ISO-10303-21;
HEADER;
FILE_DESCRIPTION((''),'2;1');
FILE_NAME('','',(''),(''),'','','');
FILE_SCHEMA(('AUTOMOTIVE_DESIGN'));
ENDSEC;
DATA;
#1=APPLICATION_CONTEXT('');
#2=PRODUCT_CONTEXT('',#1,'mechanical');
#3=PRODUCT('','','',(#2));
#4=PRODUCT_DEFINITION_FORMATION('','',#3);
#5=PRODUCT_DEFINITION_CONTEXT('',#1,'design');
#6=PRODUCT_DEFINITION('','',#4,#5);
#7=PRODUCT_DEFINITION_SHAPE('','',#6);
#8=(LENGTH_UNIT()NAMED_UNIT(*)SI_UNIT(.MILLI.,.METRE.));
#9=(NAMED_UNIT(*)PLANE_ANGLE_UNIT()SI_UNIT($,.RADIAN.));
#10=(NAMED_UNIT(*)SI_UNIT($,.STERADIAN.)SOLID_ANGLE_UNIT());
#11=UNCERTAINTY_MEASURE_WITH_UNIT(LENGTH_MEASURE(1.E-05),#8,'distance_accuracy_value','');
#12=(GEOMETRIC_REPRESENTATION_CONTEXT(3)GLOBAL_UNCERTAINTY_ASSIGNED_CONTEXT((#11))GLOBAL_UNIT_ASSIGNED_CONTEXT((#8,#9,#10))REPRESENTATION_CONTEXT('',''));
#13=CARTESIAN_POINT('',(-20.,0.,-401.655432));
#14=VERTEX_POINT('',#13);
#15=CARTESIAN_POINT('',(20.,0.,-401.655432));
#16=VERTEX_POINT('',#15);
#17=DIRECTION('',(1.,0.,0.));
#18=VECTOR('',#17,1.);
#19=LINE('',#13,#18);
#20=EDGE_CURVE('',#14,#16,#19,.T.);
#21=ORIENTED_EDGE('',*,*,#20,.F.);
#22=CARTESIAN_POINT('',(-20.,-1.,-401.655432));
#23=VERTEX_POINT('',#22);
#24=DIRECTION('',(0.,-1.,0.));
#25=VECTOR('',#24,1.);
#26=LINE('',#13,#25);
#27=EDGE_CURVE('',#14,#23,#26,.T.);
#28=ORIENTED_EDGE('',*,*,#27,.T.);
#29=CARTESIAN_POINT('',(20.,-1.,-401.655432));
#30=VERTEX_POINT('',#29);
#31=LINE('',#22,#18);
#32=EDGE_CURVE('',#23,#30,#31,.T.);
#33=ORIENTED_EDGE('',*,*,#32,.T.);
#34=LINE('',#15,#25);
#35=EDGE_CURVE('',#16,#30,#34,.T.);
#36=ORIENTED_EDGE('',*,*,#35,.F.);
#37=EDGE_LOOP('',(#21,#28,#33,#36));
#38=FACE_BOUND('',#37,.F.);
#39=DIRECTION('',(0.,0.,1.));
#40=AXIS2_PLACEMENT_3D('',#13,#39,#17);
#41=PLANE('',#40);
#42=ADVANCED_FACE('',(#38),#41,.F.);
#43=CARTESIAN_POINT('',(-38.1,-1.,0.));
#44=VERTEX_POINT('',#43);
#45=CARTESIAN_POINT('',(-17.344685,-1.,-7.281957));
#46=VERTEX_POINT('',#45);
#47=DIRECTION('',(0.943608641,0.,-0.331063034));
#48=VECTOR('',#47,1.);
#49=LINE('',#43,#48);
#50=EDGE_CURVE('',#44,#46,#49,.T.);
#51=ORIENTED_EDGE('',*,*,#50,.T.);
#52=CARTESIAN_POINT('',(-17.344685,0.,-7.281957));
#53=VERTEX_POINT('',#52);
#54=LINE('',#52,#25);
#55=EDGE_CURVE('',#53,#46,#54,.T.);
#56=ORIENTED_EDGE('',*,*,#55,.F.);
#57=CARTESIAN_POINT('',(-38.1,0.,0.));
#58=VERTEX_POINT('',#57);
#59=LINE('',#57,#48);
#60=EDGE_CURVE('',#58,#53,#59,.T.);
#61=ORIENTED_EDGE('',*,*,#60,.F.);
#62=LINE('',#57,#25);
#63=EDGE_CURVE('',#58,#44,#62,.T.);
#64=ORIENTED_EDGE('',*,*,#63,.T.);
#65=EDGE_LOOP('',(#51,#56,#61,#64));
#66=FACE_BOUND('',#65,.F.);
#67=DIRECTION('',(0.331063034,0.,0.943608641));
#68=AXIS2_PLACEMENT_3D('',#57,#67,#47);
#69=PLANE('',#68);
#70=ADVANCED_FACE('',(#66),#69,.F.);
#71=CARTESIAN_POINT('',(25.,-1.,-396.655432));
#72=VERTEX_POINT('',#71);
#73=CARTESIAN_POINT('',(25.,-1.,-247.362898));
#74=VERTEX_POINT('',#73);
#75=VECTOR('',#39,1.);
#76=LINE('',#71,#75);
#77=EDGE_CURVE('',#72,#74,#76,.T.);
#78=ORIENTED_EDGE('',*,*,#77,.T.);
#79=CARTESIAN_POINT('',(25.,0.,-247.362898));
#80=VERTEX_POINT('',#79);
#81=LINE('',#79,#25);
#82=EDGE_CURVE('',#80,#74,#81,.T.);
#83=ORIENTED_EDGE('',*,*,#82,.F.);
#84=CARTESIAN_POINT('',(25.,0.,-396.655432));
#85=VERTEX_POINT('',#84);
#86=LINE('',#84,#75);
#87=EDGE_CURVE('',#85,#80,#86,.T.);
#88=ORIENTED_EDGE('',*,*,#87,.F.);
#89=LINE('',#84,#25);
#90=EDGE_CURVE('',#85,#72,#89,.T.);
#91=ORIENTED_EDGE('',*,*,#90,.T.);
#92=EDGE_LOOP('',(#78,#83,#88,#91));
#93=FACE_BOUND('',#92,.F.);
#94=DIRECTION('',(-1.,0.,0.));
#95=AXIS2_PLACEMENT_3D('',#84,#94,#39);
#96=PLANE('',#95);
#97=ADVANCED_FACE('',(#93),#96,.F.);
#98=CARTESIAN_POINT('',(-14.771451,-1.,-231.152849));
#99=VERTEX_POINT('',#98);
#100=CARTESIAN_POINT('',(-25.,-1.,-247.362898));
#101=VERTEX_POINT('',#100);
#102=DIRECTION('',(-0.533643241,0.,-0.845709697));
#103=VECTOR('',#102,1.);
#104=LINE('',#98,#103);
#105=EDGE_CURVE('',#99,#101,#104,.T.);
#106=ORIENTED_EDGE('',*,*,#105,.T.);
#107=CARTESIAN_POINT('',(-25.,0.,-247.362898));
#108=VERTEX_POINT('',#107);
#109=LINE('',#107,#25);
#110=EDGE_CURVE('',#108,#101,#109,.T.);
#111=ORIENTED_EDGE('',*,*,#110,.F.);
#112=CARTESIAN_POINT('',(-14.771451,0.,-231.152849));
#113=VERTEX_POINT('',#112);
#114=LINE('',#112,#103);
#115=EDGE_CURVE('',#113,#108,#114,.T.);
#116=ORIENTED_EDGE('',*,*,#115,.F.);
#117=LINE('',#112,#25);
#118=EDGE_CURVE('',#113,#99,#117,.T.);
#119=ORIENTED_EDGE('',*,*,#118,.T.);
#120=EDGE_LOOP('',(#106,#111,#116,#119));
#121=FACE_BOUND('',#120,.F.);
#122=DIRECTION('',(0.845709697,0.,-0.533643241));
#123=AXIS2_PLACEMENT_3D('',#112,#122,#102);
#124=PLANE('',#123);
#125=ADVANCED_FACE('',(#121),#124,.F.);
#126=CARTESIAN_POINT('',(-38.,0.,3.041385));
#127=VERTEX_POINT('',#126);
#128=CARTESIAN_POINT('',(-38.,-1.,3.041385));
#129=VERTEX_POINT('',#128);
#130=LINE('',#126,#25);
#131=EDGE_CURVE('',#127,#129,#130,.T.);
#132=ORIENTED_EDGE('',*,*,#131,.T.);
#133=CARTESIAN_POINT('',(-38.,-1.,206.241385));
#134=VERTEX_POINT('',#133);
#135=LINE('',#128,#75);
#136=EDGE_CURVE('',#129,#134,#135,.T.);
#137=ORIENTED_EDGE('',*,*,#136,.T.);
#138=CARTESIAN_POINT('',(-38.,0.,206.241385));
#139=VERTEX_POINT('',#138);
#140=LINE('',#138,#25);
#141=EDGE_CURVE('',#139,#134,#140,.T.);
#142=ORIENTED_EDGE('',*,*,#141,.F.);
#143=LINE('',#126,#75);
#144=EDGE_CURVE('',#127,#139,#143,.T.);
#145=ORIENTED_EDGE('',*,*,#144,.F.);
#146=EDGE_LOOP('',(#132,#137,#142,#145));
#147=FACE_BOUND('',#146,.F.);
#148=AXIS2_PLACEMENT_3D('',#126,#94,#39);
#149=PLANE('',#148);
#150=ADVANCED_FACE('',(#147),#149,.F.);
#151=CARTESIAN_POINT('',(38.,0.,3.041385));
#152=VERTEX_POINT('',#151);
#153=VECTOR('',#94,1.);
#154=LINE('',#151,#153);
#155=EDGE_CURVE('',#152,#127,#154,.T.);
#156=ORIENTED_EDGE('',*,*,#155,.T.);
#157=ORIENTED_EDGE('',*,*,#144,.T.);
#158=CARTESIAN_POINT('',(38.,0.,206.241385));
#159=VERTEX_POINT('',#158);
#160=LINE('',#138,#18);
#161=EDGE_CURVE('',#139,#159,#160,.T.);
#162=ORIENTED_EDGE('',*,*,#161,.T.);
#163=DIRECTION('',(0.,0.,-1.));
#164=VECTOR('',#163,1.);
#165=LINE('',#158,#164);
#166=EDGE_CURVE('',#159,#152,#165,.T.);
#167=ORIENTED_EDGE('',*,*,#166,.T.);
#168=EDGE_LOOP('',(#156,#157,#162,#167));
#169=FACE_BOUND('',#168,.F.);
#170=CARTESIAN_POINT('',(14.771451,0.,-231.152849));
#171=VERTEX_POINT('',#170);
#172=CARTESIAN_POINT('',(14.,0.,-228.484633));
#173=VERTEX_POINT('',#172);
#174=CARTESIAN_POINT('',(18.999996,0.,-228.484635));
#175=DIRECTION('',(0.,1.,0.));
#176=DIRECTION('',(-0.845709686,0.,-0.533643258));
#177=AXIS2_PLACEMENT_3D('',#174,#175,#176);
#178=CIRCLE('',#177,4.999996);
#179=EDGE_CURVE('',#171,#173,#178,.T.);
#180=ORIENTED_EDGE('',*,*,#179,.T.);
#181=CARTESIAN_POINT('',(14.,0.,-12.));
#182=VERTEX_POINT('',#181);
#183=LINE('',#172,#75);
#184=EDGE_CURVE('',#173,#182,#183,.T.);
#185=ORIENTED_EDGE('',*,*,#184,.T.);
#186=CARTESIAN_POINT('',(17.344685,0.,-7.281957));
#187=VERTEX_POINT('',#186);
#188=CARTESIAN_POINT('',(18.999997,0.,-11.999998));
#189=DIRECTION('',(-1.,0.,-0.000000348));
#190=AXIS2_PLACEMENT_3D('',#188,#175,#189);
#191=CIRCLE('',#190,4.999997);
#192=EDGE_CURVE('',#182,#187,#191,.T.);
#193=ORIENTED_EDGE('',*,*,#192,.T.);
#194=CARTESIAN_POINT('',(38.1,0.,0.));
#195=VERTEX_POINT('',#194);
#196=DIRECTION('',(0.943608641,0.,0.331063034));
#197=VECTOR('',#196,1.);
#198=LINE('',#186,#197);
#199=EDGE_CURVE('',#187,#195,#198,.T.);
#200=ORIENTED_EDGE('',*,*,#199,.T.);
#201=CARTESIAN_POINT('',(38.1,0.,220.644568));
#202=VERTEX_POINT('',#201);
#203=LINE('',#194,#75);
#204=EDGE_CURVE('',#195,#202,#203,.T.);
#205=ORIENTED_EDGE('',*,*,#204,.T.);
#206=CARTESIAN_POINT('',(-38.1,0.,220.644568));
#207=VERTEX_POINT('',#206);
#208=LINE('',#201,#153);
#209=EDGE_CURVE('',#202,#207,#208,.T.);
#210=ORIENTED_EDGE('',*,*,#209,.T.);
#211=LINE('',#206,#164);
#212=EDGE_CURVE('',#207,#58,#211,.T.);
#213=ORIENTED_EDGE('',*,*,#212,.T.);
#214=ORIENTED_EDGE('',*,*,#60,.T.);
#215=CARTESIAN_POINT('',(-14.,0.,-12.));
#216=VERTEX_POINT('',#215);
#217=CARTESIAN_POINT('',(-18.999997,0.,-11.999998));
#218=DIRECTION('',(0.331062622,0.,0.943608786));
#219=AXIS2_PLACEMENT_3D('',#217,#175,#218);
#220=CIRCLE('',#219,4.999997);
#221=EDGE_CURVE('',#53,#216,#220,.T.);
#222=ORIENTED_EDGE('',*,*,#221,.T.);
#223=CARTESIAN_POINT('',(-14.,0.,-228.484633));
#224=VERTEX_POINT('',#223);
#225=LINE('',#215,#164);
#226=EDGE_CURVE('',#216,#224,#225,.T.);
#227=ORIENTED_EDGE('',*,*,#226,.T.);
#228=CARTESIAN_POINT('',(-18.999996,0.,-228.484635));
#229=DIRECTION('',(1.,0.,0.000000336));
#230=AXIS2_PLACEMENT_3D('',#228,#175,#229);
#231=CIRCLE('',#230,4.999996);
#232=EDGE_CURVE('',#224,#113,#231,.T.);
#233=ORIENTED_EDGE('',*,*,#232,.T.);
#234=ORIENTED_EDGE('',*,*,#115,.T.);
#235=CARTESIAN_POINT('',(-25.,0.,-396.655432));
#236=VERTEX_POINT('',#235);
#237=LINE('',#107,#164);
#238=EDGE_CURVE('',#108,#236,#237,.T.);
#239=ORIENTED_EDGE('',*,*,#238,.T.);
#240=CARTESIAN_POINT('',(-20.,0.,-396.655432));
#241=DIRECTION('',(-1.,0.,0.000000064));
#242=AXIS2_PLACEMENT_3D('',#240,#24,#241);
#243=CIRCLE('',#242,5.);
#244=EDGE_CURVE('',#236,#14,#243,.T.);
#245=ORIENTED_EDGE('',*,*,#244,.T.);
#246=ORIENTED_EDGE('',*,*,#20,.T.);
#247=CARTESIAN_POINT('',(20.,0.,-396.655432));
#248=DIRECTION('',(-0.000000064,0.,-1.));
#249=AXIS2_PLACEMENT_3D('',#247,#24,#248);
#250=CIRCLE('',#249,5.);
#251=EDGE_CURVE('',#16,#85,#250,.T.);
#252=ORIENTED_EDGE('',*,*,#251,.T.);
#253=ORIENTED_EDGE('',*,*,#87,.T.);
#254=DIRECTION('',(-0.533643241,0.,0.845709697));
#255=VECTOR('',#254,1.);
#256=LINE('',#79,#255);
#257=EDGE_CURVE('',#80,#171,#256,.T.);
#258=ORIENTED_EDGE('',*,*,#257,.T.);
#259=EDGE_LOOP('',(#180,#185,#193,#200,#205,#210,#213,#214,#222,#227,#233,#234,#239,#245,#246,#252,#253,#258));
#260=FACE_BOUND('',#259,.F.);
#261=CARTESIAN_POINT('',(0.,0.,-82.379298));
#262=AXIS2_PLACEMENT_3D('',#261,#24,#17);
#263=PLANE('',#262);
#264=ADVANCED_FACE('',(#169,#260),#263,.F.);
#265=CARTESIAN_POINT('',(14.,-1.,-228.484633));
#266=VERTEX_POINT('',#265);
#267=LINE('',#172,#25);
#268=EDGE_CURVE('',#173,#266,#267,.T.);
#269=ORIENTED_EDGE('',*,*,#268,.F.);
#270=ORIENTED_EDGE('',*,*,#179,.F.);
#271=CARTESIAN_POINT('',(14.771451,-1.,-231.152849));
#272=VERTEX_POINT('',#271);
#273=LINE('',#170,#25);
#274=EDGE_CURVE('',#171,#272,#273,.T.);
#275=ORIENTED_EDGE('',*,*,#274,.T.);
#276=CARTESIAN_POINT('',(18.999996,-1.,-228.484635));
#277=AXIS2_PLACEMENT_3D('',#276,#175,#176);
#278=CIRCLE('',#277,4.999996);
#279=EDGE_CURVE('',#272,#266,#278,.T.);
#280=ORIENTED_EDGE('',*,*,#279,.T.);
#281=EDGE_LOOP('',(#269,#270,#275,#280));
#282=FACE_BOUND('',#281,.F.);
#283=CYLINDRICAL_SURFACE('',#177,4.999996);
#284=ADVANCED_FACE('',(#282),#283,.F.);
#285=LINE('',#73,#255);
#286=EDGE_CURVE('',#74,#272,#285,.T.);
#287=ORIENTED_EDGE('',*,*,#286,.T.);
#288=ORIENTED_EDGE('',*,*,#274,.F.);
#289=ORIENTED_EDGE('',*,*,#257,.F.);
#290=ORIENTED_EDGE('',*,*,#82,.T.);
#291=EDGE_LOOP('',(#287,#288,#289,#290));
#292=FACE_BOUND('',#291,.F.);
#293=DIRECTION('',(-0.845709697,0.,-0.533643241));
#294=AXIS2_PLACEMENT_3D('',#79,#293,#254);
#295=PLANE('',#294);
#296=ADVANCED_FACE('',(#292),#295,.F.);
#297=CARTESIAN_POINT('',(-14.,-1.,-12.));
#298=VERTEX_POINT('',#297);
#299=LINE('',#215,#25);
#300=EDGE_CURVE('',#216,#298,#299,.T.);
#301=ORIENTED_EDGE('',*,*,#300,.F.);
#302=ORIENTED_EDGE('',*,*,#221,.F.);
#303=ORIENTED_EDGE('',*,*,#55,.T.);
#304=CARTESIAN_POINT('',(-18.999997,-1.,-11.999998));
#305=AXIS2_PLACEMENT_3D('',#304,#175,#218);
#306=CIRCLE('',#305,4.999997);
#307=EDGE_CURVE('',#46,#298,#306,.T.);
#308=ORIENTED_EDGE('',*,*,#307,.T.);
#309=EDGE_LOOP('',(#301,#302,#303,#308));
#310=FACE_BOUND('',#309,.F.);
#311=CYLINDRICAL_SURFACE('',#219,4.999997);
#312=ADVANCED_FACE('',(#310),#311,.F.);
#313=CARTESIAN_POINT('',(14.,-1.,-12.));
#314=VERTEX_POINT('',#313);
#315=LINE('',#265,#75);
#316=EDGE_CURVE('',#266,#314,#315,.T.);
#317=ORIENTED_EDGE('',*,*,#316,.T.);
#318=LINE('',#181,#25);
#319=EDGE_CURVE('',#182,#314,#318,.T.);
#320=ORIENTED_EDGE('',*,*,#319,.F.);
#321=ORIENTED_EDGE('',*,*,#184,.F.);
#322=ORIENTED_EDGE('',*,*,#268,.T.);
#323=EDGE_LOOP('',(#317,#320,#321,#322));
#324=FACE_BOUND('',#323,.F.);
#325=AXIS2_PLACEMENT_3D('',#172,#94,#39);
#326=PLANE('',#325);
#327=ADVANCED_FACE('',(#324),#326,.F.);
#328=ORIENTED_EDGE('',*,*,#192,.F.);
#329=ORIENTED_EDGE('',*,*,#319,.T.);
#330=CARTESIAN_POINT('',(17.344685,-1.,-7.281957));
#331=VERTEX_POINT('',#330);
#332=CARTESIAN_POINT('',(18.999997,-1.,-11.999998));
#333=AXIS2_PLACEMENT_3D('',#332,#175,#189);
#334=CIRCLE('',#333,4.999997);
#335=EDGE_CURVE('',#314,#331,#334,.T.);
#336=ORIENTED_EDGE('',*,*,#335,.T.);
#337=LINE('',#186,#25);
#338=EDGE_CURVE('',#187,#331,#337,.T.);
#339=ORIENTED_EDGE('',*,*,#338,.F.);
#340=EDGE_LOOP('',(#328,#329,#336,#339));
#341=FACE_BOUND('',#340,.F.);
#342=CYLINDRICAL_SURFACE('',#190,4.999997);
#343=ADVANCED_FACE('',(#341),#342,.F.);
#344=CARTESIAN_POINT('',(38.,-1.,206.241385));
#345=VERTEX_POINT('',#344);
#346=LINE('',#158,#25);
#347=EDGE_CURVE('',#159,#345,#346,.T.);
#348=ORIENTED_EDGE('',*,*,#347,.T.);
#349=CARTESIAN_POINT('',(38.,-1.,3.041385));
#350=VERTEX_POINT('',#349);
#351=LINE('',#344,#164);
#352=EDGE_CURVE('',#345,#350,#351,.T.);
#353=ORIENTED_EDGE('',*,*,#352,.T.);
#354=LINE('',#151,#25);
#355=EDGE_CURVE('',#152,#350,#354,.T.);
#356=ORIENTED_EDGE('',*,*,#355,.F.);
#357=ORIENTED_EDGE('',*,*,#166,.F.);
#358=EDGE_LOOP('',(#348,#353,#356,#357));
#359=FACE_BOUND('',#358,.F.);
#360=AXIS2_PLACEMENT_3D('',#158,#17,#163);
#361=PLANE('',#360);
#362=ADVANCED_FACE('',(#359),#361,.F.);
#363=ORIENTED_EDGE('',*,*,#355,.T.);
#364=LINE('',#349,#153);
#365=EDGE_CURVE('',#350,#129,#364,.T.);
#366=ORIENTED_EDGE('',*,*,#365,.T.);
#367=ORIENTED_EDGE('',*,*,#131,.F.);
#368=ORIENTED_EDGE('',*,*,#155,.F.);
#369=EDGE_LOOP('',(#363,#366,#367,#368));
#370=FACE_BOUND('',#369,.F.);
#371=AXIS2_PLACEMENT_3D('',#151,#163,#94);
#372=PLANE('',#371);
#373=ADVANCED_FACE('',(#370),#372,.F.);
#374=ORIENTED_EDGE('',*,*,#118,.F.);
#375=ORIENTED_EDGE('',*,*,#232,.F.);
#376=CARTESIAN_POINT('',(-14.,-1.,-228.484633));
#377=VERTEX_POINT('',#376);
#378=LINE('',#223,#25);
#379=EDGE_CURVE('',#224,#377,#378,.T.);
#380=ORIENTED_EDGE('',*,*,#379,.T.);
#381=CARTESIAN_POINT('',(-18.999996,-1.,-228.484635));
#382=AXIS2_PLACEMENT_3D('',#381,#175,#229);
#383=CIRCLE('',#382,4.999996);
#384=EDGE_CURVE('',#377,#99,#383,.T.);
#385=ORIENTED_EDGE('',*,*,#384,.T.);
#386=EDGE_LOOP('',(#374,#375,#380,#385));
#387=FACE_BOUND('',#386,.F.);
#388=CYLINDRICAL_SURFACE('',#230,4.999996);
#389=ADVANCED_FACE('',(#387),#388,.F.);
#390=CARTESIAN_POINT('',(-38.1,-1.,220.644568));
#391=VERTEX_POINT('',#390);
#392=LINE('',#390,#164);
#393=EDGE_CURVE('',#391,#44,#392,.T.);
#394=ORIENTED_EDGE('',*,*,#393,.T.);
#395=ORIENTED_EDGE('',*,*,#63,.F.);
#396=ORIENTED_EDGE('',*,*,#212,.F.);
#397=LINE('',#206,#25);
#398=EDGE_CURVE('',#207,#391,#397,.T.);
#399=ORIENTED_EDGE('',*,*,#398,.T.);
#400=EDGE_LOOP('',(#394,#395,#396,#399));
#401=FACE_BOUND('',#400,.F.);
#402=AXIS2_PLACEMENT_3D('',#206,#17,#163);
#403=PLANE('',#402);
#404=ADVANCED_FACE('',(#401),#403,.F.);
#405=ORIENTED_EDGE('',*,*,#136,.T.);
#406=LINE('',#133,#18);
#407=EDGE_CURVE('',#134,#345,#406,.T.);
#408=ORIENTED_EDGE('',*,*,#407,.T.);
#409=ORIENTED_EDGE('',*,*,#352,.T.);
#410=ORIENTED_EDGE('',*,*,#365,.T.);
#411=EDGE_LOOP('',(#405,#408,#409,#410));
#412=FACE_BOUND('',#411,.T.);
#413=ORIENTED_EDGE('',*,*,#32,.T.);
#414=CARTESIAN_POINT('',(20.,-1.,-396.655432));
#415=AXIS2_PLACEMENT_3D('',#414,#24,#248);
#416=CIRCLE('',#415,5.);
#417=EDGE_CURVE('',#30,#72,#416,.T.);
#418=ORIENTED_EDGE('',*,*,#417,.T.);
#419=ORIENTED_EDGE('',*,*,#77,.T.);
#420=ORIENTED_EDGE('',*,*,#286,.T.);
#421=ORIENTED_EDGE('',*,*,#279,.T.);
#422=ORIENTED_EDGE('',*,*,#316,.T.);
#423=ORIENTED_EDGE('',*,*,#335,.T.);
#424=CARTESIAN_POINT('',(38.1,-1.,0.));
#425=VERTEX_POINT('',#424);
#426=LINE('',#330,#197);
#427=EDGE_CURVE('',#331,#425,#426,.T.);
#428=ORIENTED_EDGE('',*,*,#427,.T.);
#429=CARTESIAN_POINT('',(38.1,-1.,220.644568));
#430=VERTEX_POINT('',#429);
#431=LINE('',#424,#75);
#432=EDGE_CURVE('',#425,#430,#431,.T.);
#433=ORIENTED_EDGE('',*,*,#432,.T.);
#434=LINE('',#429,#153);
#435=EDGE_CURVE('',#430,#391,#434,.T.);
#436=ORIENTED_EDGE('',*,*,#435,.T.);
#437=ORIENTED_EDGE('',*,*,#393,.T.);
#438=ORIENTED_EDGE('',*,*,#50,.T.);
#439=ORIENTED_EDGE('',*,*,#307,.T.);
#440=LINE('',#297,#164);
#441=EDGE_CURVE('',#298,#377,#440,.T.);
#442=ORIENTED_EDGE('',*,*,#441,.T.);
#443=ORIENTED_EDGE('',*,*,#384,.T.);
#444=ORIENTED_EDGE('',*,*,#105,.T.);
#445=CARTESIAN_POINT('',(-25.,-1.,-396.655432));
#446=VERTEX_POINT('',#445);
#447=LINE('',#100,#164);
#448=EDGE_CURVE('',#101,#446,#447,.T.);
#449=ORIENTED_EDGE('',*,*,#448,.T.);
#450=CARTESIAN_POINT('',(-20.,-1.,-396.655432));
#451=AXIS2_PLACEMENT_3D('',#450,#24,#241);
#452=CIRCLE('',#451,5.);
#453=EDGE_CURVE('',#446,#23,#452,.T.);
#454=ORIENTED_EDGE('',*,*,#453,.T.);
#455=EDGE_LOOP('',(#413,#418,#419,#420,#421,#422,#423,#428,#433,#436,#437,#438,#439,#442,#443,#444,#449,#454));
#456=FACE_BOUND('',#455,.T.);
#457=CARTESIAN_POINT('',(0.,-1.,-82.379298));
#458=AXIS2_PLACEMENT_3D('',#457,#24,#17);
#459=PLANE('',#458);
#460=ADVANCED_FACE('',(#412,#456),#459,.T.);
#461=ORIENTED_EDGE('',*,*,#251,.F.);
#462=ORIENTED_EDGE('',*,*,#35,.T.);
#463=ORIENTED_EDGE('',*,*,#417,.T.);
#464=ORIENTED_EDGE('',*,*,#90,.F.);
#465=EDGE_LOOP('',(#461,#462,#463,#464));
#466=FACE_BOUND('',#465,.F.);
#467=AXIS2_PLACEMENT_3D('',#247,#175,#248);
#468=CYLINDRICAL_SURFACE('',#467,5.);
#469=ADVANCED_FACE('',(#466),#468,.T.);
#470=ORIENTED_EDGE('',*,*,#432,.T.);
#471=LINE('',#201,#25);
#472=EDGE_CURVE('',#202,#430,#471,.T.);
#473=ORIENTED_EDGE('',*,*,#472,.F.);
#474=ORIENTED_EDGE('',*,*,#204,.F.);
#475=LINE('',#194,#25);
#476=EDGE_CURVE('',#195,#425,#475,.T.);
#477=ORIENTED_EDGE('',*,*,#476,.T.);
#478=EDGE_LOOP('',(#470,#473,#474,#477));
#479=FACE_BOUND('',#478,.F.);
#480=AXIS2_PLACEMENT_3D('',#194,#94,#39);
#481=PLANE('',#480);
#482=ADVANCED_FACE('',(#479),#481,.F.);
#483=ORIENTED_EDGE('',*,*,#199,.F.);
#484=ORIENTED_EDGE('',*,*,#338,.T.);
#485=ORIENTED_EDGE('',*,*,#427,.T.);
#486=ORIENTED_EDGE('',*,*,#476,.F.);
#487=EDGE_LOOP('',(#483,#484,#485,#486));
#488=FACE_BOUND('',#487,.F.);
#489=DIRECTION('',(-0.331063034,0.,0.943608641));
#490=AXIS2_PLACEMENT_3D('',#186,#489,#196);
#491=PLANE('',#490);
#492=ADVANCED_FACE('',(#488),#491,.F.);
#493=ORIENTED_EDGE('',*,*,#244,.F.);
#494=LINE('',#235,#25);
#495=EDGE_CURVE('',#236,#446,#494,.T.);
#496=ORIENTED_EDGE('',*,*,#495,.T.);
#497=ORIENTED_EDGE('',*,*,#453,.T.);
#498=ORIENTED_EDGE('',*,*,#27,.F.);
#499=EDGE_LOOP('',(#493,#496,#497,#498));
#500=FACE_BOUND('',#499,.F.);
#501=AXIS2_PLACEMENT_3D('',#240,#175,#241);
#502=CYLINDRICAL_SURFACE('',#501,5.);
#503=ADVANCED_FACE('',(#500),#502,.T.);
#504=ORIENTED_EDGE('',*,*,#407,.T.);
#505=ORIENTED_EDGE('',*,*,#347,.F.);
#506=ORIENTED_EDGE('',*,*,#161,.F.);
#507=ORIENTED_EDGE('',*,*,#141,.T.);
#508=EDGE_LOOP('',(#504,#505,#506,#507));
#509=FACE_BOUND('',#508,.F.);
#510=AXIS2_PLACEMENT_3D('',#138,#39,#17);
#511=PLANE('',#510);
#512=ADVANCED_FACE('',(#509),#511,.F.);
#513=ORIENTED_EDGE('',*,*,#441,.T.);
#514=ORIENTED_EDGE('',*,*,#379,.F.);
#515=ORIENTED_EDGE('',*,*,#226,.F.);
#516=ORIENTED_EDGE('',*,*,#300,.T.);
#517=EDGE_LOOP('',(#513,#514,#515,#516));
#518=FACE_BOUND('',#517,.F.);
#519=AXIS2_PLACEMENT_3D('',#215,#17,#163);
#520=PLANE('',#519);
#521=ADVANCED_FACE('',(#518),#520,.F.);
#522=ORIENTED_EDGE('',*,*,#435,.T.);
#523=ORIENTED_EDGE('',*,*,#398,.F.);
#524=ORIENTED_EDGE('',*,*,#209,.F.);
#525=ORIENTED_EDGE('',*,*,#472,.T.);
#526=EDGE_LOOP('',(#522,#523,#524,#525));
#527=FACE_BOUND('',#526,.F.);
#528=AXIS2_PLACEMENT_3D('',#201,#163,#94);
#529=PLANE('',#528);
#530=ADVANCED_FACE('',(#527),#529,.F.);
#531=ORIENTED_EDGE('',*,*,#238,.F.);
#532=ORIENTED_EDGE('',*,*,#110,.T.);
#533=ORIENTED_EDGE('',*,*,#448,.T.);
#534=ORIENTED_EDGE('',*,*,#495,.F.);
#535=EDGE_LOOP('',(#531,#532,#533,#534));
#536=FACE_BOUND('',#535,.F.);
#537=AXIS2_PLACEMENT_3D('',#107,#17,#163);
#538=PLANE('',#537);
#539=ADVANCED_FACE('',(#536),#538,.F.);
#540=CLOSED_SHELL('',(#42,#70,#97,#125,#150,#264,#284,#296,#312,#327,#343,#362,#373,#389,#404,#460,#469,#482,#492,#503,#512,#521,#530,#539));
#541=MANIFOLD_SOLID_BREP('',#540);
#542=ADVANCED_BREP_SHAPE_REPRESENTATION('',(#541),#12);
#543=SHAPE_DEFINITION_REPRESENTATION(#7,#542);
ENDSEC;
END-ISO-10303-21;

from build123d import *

# Parameters (mm, degrees)
F1_DEPTH = 1


with BuildPart() as f1:
    # F0 (on Front) → F1 (new body)
    with BuildSketch(Plane.XZ):
        with BuildLine():
            Line((0, 220.644568), (-38.1, 220.644568))
            Line((-38.1, 220.644568), (-38.1, 0))
            Line((-38.1, 0), (-17.344685, -7.281957))
            ThreePointArc((-17.344685, -7.281957), (-14.920994, -9.108337), (-14, -12))
            Line((-14, -12), (-14, -228.484633))
            ThreePointArc((-14, -228.484633), (-14.196733, -229.873384), (-14.771451, -231.152849))
            Line((-14.771451, -231.152849), (-25, -247.362898))
            Line((-25, -247.362898), (-25, -396.655432))
            ThreePointArc((-25, -396.655432), (-23.535534, -400.190966), (-20, -401.655432))
            Line((-20, -401.655432), (0, -401.655432))
            Line((0, -401.655432), (20, -401.655432))
            ThreePointArc((20, -401.655432), (23.535534, -400.190966), (25, -396.655432))
            Line((25, -396.655432), (25, -247.362898))
            Line((25, -247.362898), (14.771451, -231.152849))
            ThreePointArc((14.771451, -231.152849), (14.196733, -229.873384), (14, -228.484633))
            Line((14, -228.484633), (14, -12))
            ThreePointArc((14, -12), (14.920994, -9.108337), (17.344685, -7.281957))
            Line((17.344685, -7.281957), (38.1, 0))
            Line((38.1, 0), (38.1, 220.644568))
            Line((38.1, 220.644568), (0, 220.644568))
        make_face()
        Polygon((-38, 206.241385), (0, 206.241385), (38, 206.241385), (38, 3.041385), (0, 3.041385), (-38, 3.041385), align=None, mode=Mode.SUBTRACT)
    extrude(amount=F1_DEPTH)


solid = f1.part
